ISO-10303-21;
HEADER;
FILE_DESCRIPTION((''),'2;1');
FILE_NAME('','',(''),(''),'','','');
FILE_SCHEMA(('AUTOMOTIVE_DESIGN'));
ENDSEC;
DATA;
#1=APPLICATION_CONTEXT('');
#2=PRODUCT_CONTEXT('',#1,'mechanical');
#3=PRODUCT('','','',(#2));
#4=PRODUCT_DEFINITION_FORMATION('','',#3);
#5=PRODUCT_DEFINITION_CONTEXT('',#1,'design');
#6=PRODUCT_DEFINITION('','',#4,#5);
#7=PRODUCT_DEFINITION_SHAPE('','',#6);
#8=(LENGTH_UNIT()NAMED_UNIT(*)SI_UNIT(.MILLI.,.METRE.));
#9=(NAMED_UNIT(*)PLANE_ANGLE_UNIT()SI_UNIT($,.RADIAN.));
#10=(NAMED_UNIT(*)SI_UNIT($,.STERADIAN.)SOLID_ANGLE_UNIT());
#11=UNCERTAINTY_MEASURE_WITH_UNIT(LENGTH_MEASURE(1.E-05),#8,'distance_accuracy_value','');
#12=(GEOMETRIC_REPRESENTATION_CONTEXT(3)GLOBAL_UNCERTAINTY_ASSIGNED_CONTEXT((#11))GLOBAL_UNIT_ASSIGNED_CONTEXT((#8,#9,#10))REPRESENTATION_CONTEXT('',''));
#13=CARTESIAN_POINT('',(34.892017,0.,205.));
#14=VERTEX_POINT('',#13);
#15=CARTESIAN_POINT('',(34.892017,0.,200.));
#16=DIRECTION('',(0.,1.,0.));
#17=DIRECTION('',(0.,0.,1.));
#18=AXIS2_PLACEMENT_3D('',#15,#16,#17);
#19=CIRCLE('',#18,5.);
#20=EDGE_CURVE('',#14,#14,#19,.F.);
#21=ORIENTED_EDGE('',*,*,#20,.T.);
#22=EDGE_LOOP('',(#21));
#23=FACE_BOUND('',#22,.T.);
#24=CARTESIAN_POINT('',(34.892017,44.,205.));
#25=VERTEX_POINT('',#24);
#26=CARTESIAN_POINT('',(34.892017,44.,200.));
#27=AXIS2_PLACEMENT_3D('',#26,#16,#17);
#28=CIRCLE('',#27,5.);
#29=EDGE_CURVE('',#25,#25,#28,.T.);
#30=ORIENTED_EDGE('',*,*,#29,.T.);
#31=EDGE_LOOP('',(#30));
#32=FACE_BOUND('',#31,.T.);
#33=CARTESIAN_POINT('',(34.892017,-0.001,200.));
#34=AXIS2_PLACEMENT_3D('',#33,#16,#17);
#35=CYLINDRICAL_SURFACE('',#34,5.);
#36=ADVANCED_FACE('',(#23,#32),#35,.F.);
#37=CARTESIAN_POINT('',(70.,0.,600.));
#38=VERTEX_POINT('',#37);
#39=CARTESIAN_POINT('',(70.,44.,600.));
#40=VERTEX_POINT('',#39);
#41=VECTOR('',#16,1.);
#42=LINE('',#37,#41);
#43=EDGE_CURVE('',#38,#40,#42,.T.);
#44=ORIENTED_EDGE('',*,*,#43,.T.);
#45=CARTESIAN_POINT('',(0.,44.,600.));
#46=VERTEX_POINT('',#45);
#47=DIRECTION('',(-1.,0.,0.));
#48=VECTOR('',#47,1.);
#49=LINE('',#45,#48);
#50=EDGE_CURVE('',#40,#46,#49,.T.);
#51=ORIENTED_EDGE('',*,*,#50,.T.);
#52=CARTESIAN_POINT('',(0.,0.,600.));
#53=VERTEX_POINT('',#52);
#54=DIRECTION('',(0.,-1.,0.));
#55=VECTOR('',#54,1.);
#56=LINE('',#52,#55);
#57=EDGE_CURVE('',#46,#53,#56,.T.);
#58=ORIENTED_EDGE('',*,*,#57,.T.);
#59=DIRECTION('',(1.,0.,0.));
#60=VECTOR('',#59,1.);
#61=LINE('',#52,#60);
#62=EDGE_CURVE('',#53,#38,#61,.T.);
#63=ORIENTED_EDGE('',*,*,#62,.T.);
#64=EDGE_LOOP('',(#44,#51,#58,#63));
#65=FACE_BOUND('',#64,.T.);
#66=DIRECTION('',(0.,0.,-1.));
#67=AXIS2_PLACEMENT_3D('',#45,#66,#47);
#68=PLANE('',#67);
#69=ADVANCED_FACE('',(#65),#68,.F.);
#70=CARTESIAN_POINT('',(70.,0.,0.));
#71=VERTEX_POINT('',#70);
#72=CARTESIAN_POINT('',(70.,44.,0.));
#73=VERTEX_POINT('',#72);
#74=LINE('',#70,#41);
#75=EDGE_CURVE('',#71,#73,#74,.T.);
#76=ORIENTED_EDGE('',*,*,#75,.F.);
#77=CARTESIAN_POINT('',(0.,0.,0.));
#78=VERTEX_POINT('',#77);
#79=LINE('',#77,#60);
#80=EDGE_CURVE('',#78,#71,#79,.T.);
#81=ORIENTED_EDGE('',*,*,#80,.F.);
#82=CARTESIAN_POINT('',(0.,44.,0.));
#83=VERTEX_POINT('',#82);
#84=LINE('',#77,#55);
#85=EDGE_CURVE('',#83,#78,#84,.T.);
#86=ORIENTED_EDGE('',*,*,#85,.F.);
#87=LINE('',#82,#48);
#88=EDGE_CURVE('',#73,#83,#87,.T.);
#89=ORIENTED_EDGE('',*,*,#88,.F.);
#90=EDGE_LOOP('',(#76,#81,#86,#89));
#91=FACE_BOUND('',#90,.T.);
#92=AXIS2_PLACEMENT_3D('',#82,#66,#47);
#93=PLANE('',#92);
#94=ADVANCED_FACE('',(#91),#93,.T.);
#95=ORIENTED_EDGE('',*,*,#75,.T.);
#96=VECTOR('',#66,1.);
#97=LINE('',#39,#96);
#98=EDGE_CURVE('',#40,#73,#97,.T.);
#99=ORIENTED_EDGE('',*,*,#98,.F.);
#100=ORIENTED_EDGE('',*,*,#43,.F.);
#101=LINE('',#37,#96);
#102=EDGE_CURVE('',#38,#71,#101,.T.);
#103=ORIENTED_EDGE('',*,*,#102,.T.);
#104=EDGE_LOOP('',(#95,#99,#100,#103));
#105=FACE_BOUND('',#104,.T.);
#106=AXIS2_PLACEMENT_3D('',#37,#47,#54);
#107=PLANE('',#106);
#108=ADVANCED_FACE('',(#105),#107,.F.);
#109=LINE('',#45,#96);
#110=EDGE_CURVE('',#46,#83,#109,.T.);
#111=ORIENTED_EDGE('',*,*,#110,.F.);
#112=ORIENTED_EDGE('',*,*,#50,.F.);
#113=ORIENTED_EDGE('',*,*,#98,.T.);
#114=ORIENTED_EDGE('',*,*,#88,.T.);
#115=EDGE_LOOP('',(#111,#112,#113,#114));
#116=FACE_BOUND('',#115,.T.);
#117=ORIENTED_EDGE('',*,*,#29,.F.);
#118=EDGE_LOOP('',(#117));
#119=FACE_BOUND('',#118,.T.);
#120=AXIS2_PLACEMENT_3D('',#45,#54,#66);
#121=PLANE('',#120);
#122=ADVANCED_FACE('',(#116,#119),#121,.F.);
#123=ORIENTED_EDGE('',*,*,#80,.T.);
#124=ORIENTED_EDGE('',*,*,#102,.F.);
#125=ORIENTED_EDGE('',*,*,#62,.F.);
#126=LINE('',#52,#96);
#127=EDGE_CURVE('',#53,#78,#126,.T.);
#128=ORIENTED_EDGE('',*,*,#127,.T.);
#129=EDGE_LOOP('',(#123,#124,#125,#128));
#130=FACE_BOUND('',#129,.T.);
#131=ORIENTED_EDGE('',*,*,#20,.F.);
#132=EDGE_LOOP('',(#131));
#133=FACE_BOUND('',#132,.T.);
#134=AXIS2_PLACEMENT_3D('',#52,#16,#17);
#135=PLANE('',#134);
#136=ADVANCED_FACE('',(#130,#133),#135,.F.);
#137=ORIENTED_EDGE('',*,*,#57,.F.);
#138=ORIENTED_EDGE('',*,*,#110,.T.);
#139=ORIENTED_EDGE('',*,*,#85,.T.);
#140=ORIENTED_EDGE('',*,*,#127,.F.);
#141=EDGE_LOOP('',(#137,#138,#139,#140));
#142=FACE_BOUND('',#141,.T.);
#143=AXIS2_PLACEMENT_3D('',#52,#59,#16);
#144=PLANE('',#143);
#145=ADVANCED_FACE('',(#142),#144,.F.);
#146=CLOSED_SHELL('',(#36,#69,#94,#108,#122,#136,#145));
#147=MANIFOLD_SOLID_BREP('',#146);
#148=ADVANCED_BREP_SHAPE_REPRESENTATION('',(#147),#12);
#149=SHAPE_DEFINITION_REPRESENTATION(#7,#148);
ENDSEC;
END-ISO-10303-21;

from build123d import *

# Parameters (mm, degrees)
SKETCH2_W          = 70
SKETCH2_H          = 44
EXTRUDE1_DEPTH     = 600
CUT_EXTRUDE1_REACH = 607.67
SKETCH3_R          = 5


with BuildPart() as part:
    # Sketch2 → Extrude1 (new body)
    with BuildSketch(Plane.XY):
        with Locations((35, 22)):
            Rectangle(SKETCH2_W, SKETCH2_H)
    extrude(amount=EXTRUDE1_DEPTH)

    # Sketch3 → Cut-Extrude1 (cut, up to next)
    with BuildSketch(Plane(origin=(0, 44, 0), x_dir=(-1, 0, 0), z_dir=(0, 1, 0)), mode=Mode.PRIVATE) as cut_extrude1_sk1:
        with Locations(Location((-34.89201671, 200, 0), (0, 0, 90))):
            Circle(SKETCH3_R)
    cut_extrude1_tool1 = extrude(cut_extrude1_sk1.sketch, amount=-CUT_EXTRUDE1_REACH, mode=Mode.PRIVATE) & part.part
    add(cut_extrude1_tool1.solids().sort_by_distance((34.892017, 44, 200))[0], mode=Mode.SUBTRACT)


solid = part.part
